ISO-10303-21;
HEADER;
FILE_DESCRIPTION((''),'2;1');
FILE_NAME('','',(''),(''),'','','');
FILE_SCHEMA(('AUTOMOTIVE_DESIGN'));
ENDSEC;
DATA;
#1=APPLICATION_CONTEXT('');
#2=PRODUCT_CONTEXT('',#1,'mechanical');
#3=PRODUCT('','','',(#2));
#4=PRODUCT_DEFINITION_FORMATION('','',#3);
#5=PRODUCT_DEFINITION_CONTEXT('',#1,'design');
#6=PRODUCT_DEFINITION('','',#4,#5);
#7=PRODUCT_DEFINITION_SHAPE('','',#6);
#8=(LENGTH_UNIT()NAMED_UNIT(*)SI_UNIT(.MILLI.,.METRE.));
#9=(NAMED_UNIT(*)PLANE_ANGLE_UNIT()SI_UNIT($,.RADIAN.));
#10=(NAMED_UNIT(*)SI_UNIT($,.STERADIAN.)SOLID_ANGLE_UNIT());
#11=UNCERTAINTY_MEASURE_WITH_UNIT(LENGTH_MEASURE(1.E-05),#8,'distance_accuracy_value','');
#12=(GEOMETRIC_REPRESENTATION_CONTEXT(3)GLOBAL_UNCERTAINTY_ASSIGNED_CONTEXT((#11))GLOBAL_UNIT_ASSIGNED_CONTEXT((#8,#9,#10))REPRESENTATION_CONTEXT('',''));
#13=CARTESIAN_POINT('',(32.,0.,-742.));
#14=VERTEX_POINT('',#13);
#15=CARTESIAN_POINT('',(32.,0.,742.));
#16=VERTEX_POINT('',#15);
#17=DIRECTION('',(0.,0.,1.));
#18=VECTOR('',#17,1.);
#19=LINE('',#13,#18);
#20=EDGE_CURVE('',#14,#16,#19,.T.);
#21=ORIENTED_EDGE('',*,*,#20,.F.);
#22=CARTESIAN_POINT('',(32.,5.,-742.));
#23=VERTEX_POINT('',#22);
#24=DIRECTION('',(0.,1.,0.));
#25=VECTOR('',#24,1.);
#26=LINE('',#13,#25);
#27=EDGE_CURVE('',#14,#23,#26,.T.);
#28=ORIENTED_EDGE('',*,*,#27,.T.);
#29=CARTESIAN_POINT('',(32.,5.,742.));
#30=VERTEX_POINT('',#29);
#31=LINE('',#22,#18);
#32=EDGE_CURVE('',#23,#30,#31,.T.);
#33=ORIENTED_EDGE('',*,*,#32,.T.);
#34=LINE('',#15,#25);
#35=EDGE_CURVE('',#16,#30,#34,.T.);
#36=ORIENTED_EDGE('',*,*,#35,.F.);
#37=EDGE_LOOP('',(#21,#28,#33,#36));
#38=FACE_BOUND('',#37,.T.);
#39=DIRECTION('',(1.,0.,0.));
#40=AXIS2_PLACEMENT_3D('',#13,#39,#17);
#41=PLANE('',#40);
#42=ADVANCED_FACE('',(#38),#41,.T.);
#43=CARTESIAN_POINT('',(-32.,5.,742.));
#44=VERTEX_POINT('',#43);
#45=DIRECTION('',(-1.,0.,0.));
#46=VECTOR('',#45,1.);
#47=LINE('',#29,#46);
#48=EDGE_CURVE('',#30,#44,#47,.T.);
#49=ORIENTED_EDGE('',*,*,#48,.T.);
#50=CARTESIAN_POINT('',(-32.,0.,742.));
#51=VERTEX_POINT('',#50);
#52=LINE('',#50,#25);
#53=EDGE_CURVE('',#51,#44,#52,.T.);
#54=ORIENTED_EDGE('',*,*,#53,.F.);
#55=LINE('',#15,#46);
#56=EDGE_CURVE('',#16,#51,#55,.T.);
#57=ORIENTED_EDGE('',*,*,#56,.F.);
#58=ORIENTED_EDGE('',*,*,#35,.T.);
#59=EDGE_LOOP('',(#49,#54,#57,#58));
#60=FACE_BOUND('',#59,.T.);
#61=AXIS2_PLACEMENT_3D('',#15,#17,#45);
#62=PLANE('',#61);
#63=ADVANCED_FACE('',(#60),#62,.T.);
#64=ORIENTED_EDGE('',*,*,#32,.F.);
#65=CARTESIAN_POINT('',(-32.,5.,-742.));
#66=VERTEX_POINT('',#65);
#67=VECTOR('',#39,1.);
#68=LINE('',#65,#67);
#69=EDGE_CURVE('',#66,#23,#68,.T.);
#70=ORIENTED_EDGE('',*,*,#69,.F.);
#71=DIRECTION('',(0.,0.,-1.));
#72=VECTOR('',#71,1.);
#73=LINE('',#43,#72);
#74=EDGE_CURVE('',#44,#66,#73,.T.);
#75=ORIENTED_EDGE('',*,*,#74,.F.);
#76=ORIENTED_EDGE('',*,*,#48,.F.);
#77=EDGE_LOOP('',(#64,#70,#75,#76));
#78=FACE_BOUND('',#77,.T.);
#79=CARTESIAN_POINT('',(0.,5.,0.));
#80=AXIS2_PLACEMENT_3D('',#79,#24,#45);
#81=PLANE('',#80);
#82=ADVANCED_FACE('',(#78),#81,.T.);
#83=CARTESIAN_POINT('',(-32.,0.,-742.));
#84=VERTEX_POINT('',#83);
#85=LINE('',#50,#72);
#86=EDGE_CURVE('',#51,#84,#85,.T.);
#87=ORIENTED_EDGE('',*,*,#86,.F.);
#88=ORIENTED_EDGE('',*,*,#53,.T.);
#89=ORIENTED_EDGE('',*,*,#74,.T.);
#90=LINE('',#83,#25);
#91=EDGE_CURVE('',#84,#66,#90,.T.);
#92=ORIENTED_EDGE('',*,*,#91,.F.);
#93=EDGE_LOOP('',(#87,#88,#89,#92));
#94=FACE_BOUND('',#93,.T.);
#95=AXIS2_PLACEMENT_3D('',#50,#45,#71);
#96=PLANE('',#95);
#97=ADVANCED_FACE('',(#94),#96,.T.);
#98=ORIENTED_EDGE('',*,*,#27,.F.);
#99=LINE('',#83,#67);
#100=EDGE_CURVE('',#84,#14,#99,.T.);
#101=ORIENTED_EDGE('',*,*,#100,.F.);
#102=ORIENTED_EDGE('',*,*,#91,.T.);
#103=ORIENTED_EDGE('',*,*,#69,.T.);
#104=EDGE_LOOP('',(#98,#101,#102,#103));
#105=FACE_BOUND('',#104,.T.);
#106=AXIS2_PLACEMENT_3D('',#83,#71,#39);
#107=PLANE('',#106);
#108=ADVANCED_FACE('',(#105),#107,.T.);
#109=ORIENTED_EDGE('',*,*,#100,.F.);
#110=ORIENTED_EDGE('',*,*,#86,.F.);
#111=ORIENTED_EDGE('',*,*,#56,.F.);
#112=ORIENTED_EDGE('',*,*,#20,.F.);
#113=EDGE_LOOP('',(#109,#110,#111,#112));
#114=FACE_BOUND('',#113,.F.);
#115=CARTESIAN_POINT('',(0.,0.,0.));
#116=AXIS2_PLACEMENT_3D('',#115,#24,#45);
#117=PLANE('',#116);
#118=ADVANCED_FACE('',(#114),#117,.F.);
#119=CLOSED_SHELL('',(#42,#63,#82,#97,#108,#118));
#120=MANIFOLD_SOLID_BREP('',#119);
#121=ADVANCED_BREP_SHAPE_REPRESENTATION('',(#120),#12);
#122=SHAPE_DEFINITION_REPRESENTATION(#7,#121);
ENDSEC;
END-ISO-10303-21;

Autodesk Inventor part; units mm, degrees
ref_plane "YZ Plane" through (0, 0, 0) normal (1, 0, 0) x (0, 1, 0)
ref_plane "XZ Plane" through (0, 0, 0) normal (0, 1, 0) x (-1, 0, 0)
ref_plane "XY Plane" through (0, 0, 0) normal (0, 0, 1) x (1, 0, 0)
sketch "Эскиз1" plane through (0, 0, 0) normal (0, 1, 0) x (-1, 0, 0)
  line L0 (-32, 742) -> (32, 742)
  line L1 (32, 742) -> (32, -742)
  line L2 (32, -742) -> (-32, -742)
  line L3 (-32, -742) -> (-32, 742)
  line L4 (-32, 742) -> (32, -742) construction
  line L5 (32, 742) -> (-32, -742) construction
  point P0 (0, 0)
  dimension "d0" = 64
  dimension "d1" = 1484
extrude "Пластина1" add sketch "Эскиз1" along normal blind 5
equation "\"d2\" = Толщина"
equation "\"Радиус_гибки\" = Толщина"
equation "\"Ширина_просечки\" = Толщина"
equation "\"Глубина_просечки\" = 0.5 * Толщина"
equation "\"Радиус_перехода\" = Радиус_гибки"
equation "\"Радиус_Якоби\" = Радиус_гибки"
equation "\"Размер_зазора\" = Толщина"
equation "\"Толщина\" = 5"
properties part number "GBK bottom 0132_CPY" material "Steel"
